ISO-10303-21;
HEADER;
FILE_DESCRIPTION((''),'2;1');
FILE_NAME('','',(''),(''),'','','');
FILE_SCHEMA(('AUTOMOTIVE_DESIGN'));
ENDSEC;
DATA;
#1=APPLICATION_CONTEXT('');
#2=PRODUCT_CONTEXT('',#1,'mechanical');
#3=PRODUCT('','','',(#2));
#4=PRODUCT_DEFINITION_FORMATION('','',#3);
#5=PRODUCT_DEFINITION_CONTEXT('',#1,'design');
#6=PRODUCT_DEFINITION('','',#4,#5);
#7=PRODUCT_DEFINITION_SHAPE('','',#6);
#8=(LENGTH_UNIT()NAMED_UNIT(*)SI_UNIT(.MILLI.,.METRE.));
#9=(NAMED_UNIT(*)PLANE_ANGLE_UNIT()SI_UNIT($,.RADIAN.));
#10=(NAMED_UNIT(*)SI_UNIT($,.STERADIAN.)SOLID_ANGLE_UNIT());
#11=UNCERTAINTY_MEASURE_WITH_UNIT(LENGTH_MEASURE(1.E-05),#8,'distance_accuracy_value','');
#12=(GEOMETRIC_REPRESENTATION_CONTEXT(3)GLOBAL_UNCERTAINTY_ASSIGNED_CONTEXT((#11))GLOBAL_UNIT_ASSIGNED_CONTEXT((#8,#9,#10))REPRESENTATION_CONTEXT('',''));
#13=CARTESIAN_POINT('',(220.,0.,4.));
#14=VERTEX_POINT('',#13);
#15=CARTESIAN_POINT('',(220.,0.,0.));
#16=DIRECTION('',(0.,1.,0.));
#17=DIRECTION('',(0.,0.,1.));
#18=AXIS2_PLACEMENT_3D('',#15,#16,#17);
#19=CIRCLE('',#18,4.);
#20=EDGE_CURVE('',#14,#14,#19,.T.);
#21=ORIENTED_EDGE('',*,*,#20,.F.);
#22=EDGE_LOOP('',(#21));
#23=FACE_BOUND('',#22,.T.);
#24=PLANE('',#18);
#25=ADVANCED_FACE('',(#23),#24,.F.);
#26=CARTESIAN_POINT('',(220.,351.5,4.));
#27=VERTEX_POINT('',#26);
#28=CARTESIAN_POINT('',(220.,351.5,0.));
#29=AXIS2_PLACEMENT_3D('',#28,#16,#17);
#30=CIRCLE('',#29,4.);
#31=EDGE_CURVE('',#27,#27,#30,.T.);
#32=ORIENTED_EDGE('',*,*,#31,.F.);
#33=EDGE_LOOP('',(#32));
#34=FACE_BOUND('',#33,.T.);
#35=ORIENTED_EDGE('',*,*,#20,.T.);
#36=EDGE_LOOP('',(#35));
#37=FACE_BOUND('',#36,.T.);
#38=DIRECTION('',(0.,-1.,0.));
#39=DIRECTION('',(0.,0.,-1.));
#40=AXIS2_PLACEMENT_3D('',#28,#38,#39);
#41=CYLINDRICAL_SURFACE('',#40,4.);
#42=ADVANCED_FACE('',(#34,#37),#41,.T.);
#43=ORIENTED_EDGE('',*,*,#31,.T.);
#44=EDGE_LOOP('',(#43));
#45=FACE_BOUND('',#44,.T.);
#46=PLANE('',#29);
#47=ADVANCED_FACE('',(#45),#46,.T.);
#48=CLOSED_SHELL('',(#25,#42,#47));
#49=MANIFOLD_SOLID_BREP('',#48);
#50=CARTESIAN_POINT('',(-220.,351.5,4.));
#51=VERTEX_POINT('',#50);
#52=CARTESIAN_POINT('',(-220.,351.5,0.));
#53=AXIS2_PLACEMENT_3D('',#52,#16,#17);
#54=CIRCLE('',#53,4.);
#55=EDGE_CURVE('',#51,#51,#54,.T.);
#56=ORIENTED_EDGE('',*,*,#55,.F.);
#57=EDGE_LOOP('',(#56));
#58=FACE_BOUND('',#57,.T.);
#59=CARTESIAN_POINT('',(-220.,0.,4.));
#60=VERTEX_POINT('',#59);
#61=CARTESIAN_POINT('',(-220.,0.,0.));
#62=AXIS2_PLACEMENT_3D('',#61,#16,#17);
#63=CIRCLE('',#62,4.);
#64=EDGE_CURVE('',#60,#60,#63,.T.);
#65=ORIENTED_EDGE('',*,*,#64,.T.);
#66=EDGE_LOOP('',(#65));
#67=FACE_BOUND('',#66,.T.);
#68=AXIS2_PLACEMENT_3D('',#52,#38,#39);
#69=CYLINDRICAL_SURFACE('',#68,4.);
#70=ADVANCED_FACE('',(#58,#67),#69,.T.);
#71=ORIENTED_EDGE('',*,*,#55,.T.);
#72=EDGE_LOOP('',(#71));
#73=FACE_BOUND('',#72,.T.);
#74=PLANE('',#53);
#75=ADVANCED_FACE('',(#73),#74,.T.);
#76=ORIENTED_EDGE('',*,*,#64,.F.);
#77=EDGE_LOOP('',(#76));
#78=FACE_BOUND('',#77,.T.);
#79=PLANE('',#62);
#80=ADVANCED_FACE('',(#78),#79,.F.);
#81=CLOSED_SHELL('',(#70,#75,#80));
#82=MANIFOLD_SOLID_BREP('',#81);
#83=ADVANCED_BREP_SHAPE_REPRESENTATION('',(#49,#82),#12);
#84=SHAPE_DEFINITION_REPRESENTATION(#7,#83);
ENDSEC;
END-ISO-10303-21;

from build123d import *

# Parameters (mm, degrees)
SKETCH1_R             = 4
BOSS_EXTRUDE1_DEPTH   = 351.5
BOSS_EXTRUDE1_2_DEPTH = 351.5


with BuildPart() as part:
    # Sketch1 → Boss-Extrude1 (new body)
    with BuildSketch(Plane(origin=(0, 0, 0), x_dir=(1, 0, 0), z_dir=(0, 1, 0))):
        with Locations((-220, 0)):
            Circle(SKETCH1_R)
    extrude(amount=BOSS_EXTRUDE1_DEPTH)


with BuildPart() as body_2:
    # Sketch1 → Boss-Extrude1 2 (new body)
    with BuildSketch(Plane(origin=(0, 0, 0), x_dir=(1, 0, 0), z_dir=(0, 1, 0))):
        with Locations((220, 0)):
            Circle(SKETCH1_R)
    extrude(amount=BOSS_EXTRUDE1_2_DEPTH)


solid = Compound([part.part, body_2.part])
